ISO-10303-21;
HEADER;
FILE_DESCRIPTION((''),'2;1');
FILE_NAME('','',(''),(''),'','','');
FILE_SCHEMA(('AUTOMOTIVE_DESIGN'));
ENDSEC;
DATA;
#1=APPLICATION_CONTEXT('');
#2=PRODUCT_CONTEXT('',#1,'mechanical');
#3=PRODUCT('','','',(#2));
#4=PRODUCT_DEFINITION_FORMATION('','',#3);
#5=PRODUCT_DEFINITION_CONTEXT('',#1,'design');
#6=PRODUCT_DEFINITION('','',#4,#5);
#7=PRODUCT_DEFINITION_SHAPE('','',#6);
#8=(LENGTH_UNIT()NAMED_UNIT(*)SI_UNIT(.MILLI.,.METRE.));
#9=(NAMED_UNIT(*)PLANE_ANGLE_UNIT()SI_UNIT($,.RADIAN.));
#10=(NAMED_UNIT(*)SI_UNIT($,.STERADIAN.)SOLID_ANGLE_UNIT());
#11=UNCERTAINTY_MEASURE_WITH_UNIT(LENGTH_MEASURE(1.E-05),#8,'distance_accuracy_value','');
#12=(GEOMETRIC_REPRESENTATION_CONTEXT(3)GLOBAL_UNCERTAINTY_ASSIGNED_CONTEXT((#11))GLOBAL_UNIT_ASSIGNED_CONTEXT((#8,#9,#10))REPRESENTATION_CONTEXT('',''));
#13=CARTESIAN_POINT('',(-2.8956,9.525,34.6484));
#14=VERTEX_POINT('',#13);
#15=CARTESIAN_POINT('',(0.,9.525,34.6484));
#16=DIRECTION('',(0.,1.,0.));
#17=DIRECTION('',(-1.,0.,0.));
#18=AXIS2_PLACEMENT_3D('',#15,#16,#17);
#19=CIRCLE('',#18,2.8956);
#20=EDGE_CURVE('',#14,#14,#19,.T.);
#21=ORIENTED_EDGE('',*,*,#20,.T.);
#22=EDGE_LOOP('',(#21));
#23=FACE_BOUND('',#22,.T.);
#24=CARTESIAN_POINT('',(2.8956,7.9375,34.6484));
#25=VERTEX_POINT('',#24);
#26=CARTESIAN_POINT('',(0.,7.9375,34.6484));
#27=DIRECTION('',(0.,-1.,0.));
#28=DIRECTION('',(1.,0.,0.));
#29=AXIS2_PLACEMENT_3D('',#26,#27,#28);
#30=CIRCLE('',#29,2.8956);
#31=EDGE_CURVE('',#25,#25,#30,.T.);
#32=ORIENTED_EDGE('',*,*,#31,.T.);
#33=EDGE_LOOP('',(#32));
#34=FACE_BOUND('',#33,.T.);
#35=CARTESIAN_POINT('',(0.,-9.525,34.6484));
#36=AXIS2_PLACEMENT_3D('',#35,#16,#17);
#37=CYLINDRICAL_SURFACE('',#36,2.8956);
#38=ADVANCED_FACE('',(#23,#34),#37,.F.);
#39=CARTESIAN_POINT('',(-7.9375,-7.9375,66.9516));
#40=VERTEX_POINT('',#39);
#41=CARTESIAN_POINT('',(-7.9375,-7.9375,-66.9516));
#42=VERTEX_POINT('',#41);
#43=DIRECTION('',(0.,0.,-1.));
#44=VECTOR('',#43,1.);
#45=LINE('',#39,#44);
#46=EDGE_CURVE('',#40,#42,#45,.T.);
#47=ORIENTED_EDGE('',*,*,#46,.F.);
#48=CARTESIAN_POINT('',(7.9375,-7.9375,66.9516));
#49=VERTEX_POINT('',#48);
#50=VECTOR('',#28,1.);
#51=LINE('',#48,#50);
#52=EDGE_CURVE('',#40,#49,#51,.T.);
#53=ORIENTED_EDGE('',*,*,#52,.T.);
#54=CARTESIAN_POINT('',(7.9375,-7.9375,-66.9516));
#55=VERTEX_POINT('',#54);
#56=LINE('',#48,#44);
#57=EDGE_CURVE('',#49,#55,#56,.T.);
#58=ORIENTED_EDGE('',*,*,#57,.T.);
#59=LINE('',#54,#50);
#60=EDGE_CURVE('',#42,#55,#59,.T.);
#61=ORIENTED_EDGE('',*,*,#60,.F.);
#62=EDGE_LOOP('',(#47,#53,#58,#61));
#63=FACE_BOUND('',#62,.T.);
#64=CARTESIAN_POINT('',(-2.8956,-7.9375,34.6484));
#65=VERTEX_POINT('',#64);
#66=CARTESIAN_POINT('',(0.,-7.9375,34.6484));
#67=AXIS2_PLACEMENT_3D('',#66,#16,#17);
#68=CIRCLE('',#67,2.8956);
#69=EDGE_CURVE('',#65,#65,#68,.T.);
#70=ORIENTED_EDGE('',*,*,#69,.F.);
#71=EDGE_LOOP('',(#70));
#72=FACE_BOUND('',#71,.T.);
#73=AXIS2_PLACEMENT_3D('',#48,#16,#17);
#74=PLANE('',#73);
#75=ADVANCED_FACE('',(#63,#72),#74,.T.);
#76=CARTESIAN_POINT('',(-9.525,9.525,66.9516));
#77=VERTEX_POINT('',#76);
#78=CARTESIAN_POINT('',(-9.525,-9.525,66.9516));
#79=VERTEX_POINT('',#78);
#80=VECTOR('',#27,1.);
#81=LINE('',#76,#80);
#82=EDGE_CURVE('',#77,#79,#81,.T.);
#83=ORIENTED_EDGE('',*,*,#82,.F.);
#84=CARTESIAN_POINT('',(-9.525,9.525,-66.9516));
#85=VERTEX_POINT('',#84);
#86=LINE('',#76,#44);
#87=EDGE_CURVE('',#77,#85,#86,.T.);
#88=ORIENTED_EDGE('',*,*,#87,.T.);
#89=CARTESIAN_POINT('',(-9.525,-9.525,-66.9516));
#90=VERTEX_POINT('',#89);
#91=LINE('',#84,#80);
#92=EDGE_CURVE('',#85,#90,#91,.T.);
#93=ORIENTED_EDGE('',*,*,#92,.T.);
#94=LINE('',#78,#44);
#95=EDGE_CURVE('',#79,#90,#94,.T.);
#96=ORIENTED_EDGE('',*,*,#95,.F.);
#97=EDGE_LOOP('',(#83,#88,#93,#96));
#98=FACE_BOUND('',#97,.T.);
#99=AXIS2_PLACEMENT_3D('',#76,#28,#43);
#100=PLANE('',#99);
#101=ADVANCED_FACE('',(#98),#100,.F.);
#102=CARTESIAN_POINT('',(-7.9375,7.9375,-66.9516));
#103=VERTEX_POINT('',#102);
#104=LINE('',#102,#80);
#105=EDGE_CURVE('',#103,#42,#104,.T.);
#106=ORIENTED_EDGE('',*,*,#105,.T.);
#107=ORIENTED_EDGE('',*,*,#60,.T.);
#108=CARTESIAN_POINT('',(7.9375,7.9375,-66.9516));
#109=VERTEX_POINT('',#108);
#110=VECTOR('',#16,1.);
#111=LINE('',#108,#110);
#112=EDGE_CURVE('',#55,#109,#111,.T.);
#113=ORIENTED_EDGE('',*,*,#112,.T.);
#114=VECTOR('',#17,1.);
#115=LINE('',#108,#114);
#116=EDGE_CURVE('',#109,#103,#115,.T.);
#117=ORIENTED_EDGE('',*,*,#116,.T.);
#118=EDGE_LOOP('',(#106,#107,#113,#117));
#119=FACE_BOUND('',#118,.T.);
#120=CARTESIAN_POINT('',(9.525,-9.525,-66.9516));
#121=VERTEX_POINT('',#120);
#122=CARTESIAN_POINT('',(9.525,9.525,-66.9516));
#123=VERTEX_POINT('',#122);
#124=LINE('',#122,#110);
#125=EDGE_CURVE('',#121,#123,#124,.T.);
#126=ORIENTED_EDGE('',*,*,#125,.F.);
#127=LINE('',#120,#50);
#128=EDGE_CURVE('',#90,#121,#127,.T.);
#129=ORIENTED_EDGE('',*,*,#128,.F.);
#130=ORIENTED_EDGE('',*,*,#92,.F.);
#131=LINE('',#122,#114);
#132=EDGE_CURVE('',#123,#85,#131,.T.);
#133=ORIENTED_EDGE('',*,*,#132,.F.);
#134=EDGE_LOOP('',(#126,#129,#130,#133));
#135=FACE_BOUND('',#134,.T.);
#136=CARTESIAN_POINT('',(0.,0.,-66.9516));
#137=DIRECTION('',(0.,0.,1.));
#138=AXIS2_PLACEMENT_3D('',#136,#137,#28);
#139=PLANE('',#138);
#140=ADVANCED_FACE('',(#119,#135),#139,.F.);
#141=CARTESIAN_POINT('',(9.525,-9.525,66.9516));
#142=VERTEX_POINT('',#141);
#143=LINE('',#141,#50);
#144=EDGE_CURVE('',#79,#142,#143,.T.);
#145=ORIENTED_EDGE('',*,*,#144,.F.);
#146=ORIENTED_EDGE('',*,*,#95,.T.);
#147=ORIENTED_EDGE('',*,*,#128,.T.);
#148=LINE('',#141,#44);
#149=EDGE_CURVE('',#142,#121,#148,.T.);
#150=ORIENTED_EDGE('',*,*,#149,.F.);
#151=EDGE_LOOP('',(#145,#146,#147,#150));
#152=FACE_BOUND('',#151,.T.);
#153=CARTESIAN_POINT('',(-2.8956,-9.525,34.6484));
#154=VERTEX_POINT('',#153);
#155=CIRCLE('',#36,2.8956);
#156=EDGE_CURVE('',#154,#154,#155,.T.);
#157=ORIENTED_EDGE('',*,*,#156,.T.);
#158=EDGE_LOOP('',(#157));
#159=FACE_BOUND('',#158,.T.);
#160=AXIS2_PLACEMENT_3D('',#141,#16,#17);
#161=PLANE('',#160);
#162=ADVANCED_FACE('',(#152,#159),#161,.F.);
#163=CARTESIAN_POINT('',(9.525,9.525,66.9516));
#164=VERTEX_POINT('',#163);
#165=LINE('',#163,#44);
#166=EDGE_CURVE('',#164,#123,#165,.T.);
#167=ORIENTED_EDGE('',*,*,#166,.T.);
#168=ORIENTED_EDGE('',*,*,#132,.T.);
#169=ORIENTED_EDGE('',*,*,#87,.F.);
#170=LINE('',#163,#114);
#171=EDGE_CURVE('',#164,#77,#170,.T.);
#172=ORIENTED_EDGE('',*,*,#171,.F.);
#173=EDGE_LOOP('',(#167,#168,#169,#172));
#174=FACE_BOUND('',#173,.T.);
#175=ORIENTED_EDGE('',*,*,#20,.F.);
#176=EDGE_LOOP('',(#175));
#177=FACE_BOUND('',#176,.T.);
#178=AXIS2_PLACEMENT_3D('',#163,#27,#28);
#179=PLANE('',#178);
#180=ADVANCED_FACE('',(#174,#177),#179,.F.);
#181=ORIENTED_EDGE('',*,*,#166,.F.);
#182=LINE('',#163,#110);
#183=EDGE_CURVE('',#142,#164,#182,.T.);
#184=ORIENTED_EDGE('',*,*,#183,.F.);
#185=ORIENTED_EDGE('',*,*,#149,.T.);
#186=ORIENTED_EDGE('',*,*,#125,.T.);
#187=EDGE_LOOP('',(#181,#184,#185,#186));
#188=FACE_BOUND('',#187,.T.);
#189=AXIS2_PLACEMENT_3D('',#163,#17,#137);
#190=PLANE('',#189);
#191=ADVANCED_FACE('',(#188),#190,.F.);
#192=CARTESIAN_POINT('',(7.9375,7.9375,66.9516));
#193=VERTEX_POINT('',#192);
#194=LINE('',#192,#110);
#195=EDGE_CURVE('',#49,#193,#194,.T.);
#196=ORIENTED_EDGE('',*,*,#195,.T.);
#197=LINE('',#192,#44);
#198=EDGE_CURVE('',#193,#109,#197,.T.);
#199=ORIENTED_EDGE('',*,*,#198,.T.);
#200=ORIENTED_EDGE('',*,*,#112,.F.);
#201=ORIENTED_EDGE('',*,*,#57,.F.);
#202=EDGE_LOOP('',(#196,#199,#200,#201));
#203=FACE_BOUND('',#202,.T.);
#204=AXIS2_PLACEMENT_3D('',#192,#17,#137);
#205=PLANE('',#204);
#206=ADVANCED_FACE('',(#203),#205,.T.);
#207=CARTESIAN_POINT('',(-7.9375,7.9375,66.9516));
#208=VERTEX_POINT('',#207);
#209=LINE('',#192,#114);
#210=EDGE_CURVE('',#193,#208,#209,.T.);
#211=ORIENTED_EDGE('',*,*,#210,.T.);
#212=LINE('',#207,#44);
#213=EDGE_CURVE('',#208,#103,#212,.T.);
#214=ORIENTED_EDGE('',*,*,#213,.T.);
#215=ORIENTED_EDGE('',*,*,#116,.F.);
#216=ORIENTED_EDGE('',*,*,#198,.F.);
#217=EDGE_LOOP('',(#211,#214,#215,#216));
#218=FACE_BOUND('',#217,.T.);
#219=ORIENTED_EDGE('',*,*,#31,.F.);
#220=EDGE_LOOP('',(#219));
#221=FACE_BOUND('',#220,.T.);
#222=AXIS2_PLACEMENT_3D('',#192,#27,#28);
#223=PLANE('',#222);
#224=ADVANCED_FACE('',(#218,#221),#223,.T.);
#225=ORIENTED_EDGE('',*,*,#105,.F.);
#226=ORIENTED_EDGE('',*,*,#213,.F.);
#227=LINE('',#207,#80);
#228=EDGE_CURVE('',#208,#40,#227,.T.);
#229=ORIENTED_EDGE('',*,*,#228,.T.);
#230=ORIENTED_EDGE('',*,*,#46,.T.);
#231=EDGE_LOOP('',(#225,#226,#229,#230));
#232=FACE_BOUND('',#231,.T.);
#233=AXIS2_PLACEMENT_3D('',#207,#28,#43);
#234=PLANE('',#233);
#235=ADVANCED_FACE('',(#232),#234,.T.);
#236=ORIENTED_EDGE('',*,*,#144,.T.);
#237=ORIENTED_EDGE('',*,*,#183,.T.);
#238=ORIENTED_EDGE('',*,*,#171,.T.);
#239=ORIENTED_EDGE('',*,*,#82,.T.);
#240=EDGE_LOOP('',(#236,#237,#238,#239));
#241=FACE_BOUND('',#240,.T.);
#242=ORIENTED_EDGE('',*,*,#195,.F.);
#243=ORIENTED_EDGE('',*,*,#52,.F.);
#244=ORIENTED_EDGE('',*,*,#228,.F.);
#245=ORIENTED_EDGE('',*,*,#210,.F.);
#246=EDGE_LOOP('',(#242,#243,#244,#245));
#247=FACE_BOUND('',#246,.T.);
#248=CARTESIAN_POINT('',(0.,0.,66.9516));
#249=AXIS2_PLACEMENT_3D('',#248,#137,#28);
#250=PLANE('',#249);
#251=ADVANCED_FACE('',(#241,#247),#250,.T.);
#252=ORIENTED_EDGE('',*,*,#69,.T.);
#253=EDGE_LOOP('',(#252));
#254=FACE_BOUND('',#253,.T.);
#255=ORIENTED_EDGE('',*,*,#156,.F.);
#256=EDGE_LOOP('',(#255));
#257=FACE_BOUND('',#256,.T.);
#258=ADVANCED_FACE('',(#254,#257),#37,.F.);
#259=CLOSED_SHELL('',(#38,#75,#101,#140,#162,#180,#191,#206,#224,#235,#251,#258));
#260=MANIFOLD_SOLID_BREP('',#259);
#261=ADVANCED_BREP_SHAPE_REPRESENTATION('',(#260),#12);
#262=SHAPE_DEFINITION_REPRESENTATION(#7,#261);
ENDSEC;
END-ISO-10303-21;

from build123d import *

# Parameters (mm, degrees)
SKETCH1_W                = 19.05
SKETCH1_H                = 19.05
SKETCH1_W_2              = 15.875
SKETCH1_H_2              = 15.875
BOSS_EXTRUDE1_DEPTH      = 66.951599904
SKETCH2_R                = 2.8956
BASEPLATEMOUNTHOLE_DEPTH = 71.25770317


with BuildPart() as part:
    # Sketch1 → Boss-Extrude1 (new, symmetric)
    with BuildSketch(Plane(origin=(0, 0, 0), x_dir=(0, -1, 0), z_dir=(0, 0, 1))):
        Rectangle(SKETCH1_W, SKETCH1_H)
        Rectangle(SKETCH1_W_2, SKETCH1_H_2, mode=Mode.SUBTRACT)
    extrude(amount=BOSS_EXTRUDE1_DEPTH, both=True)

    # Sketch2 → BasePlateMountHole (cut, through all)
    with BuildSketch(Plane(origin=(0, 9.525, 0), x_dir=(1, 0, 0), z_dir=(0, 1, 0))):
        with Locations(Location((0, -34.648400096, 0), (0, 0, 180))):
            Circle(SKETCH2_R)
    extrude(amount=-BASEPLATEMOUNTHOLE_DEPTH, mode=Mode.SUBTRACT)


solid = part.part
